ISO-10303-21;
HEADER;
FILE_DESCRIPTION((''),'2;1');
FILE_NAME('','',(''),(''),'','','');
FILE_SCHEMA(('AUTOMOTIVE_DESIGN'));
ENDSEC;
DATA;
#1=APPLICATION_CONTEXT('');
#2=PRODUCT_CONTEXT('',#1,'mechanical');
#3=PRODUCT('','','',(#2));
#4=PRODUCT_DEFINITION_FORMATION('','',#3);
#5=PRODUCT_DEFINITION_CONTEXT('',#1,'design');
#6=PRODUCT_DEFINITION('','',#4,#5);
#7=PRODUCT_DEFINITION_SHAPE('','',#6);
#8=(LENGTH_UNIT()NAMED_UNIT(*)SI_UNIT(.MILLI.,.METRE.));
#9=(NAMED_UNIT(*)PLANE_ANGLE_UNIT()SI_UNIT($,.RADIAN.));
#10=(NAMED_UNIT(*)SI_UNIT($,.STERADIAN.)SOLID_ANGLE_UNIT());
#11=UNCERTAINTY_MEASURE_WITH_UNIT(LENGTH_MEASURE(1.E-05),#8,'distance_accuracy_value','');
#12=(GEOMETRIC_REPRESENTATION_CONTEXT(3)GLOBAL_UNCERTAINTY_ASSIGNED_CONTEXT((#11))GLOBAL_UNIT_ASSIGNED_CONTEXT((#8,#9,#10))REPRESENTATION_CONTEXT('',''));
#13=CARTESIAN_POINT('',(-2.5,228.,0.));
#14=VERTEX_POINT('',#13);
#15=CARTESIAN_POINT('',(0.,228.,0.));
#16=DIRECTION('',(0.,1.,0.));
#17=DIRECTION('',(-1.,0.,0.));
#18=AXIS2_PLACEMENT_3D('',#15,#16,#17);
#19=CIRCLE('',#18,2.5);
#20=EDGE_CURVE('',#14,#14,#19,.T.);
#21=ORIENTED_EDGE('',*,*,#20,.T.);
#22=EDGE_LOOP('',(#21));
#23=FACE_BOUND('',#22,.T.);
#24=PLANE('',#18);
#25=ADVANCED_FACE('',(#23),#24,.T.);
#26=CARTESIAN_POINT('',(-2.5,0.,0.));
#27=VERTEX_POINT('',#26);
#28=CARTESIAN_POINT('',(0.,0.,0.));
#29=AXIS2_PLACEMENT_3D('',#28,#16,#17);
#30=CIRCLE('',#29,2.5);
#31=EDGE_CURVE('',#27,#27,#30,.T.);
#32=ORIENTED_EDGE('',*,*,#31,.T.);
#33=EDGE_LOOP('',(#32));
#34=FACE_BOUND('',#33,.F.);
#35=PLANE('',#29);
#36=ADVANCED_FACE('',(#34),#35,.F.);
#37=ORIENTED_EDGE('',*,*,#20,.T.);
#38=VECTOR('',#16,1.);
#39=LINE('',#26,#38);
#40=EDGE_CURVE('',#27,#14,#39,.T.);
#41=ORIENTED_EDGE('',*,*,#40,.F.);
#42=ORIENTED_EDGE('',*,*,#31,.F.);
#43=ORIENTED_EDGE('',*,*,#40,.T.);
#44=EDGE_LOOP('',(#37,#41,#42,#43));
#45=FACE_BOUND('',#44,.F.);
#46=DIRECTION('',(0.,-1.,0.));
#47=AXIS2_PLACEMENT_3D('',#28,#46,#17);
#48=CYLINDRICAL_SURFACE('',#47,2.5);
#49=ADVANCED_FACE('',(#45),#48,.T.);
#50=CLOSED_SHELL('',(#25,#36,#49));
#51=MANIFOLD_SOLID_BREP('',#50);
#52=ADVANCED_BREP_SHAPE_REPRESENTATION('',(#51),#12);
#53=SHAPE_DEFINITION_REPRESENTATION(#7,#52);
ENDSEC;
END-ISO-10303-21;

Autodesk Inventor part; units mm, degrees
ref_plane "YZ Plane" through (0, 0, 0) normal (1, 0, 0) x (0, 1, 0)
ref_plane "XZ Plane" through (0, 0, 0) normal (0, 1, 0) x (-1, 0, 0)
ref_plane "XY Plane" through (0, 0, 0) normal (0, 0, 1) x (1, 0, 0)
sketch "Skizze1" plane through (0, 0, 0) normal (0, 1, 0) x (-1, 0, 0)
  circle A0 centre (0, 0) radius 2.5
  dimension "d0" = 5
extrude "Extrusion1" add sketch "Skizze1" along normal blind 228
properties part number "Bolzen_228"
